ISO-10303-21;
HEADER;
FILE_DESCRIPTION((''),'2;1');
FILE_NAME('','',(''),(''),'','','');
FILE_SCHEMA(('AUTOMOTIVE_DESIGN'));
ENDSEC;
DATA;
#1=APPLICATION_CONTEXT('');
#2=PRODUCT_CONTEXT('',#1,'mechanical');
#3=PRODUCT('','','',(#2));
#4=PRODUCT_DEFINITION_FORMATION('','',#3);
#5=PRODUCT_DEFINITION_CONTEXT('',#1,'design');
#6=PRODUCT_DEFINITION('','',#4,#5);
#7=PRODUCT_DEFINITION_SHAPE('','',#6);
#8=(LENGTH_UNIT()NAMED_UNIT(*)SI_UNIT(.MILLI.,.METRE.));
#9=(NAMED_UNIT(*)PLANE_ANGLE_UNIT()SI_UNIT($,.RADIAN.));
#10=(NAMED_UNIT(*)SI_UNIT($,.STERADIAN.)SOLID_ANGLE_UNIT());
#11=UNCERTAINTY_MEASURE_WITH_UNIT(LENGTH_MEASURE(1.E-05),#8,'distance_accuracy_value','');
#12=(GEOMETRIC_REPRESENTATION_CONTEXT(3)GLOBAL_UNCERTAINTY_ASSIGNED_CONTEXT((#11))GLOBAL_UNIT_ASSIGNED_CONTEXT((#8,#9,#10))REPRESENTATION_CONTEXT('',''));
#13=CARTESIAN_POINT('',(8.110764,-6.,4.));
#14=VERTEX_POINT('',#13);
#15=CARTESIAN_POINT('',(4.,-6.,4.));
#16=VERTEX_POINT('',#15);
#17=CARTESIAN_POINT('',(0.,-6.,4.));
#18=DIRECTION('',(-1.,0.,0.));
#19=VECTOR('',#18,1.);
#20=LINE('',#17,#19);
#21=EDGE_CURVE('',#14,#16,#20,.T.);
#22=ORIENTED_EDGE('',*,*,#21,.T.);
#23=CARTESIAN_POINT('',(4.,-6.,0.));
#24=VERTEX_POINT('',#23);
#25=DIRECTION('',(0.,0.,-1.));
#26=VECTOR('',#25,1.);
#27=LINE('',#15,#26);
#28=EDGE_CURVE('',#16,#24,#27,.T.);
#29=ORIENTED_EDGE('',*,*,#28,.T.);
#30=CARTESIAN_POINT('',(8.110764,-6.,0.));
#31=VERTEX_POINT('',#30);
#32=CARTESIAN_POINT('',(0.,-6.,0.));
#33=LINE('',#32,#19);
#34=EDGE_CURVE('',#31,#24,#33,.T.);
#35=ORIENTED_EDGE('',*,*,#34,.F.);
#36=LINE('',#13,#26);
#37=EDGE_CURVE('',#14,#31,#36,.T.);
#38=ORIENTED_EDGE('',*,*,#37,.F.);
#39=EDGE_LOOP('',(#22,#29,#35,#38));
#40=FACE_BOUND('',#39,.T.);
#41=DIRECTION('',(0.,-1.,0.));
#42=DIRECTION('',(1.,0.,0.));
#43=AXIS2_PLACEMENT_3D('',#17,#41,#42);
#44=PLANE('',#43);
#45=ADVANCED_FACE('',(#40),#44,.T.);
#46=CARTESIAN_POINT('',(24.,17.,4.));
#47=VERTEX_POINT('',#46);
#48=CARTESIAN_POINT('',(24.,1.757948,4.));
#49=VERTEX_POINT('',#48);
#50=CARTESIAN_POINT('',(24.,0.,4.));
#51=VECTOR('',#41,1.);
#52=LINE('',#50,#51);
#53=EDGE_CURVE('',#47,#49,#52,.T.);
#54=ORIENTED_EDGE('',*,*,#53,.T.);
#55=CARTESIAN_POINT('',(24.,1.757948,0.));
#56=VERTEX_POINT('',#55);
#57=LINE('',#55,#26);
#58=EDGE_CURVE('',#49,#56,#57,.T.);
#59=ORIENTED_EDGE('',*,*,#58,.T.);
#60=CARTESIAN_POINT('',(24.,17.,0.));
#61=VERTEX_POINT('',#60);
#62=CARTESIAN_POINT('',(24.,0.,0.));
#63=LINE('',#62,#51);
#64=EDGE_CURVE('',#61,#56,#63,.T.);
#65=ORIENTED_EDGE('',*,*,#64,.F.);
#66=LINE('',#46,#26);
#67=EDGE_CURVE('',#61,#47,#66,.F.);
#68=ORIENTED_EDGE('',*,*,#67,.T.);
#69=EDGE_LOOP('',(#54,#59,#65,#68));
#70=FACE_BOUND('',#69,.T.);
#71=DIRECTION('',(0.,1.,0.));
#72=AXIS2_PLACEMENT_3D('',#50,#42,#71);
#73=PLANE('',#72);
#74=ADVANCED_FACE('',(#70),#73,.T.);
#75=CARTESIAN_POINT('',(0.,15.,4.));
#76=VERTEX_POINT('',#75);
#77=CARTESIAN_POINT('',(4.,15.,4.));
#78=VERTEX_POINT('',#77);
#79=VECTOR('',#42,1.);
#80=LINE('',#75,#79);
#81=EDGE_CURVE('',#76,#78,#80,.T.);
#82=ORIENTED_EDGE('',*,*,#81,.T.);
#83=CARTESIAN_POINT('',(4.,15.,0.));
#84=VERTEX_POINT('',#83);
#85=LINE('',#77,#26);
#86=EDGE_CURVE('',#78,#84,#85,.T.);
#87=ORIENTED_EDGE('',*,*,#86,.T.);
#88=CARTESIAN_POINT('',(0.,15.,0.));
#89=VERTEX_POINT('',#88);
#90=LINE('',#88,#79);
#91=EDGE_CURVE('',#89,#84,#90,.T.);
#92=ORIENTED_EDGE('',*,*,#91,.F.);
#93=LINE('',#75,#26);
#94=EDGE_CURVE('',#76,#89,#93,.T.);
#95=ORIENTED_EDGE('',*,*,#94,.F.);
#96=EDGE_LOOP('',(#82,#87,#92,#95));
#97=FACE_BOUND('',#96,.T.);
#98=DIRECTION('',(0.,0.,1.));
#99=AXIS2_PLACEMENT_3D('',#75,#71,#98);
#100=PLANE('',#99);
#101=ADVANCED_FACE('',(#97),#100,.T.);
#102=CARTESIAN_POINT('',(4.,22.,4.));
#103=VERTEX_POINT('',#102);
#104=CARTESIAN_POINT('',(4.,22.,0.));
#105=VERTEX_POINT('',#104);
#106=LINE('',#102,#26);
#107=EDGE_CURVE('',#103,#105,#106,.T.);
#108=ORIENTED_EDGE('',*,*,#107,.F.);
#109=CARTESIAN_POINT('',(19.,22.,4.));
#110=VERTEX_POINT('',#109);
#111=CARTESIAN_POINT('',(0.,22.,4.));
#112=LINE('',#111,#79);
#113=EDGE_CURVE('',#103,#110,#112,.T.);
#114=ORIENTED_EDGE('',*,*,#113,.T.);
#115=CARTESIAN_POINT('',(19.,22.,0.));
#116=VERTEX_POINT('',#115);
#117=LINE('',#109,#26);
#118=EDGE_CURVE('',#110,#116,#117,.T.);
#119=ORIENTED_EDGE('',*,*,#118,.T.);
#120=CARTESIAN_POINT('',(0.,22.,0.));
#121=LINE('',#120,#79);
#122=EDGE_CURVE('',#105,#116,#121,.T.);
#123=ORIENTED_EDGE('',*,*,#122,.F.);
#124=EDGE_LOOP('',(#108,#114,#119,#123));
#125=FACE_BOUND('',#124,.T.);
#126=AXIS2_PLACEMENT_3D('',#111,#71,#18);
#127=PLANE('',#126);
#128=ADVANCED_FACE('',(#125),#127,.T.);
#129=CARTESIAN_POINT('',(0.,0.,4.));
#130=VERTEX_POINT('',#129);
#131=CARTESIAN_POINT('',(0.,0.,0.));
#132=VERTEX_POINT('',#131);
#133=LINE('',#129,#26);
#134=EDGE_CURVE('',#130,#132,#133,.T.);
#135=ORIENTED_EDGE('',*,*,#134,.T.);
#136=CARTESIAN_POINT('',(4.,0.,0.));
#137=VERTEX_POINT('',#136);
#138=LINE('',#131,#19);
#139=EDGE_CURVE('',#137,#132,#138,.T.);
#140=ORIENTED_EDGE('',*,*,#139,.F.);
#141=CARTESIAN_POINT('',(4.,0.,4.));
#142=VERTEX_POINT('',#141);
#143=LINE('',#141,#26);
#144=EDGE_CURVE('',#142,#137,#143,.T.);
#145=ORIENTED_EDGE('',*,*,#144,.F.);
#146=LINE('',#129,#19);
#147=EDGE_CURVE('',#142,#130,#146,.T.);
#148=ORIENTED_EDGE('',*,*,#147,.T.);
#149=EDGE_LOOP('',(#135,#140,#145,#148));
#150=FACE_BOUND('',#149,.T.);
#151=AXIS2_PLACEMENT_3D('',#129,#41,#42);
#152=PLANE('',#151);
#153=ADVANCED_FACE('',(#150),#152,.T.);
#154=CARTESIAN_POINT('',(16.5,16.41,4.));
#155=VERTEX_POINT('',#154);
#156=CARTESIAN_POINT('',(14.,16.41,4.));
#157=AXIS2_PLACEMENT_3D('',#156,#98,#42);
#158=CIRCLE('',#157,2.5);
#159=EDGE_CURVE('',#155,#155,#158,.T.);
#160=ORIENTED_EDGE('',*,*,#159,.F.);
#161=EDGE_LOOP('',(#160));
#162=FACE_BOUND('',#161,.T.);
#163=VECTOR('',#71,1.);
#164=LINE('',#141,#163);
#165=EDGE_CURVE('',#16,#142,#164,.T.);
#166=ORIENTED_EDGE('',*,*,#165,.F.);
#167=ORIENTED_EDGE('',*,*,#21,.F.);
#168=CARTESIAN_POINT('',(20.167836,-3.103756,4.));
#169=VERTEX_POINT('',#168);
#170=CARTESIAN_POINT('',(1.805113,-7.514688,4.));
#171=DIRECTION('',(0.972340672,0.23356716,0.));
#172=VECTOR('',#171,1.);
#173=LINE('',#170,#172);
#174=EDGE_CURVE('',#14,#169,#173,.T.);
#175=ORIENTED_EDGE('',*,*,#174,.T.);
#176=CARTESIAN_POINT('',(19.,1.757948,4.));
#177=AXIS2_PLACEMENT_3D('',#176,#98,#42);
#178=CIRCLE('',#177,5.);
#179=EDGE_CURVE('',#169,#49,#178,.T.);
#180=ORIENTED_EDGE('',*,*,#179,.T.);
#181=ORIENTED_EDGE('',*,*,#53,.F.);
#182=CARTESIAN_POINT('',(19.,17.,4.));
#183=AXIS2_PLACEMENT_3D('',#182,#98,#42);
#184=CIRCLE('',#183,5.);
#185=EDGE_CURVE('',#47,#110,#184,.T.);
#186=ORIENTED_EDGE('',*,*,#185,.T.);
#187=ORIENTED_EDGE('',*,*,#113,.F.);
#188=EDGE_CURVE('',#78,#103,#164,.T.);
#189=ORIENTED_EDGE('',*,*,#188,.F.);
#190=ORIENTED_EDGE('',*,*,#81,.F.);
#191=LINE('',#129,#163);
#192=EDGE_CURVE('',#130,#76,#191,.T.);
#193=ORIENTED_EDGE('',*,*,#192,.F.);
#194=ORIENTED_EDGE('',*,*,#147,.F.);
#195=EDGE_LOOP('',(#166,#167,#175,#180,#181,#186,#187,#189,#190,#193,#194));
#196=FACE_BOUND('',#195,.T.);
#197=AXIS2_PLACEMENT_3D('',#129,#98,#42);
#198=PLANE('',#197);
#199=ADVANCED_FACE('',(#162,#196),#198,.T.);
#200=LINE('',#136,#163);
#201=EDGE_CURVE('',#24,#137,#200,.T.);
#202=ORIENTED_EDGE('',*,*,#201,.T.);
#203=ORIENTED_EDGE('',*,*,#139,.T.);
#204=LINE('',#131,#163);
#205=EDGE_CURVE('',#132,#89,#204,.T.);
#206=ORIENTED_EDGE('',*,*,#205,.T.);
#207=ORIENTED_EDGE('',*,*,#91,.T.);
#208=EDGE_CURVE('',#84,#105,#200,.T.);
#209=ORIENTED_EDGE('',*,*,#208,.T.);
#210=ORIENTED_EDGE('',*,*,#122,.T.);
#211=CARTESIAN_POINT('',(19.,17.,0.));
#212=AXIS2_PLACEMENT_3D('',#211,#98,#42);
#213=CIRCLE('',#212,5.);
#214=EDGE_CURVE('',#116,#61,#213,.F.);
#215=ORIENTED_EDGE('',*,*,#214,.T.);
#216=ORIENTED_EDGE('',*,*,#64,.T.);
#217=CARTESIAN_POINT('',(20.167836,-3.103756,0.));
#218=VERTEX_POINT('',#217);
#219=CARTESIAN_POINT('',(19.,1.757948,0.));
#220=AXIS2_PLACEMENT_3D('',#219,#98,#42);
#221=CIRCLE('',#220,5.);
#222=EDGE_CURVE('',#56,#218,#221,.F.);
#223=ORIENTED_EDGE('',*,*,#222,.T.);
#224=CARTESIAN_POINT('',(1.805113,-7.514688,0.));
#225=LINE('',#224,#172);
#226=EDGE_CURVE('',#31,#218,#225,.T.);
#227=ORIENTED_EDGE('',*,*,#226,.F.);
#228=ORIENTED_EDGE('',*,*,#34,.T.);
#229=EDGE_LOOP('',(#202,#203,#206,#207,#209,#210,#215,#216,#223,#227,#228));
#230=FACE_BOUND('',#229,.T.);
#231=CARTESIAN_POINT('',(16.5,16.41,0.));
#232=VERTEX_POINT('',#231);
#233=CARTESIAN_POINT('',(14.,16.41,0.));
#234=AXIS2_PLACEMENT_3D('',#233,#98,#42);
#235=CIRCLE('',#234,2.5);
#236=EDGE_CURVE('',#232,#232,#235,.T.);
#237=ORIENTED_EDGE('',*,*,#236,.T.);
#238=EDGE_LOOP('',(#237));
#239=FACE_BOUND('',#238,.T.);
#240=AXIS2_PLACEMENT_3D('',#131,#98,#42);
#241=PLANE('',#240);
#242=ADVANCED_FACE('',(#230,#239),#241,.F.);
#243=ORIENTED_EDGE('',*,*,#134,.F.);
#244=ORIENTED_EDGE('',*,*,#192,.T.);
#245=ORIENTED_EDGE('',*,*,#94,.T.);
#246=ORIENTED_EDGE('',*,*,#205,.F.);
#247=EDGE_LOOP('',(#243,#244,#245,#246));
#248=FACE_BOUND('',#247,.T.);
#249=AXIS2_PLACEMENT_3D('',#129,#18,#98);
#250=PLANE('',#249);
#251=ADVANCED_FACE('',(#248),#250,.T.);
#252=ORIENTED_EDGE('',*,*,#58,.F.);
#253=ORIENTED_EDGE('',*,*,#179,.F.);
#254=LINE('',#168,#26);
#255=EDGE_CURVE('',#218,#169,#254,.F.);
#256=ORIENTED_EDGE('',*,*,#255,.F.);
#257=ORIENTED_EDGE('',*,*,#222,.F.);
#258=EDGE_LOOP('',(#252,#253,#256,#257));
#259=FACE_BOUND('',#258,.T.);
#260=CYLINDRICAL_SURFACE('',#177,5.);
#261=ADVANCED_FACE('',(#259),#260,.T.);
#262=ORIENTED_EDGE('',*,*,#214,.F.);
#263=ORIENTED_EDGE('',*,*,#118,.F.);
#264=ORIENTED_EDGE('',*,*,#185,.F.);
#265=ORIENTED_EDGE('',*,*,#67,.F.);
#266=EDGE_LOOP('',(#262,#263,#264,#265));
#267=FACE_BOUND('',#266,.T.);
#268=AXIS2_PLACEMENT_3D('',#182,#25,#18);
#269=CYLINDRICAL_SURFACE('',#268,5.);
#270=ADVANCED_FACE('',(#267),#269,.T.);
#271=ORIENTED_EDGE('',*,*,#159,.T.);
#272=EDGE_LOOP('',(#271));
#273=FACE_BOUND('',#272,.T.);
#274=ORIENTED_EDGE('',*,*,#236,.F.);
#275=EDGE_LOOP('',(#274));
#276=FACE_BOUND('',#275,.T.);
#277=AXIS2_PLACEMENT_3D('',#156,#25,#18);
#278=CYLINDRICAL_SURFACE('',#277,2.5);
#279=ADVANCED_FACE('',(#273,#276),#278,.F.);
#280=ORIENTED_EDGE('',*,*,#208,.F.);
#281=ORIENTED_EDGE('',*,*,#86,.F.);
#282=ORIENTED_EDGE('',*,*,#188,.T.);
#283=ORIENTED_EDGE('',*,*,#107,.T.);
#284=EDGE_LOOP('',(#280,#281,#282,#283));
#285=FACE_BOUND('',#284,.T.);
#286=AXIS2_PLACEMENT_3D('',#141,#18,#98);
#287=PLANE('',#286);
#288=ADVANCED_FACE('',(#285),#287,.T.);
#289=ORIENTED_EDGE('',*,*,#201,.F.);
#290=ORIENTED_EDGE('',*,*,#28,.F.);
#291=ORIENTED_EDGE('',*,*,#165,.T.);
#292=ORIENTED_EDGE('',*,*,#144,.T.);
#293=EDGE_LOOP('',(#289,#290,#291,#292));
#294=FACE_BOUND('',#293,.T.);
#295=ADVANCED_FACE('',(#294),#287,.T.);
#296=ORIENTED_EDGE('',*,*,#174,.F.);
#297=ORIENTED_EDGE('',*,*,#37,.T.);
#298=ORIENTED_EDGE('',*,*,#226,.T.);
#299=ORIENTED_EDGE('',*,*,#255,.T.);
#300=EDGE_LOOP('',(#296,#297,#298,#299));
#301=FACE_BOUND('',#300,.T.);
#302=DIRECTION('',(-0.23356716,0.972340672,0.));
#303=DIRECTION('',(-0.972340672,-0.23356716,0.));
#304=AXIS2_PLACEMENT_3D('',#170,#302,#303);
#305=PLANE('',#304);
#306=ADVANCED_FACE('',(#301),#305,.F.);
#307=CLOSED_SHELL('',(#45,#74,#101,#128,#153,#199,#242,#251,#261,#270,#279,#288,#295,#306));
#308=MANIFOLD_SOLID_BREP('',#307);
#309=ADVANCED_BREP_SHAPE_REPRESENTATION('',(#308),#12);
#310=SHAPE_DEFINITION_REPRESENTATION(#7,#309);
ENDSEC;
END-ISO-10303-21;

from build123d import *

# Parameters (mm, degrees)
SKETCH_1_R      = 2.5
EXTRUDE_1_DEPTH = 4
FILLET_1_R      = 5


with BuildPart() as part:
    # ｽｹｯﾁ1 → ﾎﾞｽ - 押し出し1 (new body)
    with BuildSketch(Plane.XY):
        Polygon((0, 15), (0, 0), (4, 0), (4, -6), (8.110763801, -6), (24, -2.18322685), (24, 22), (4, 22), (4, 15), align=None)
        with Locations((14, 16.41)):
            Circle(SKETCH_1_R, mode=Mode.SUBTRACT)
    extrude(amount=EXTRUDE_1_DEPTH)

    # ﾌｨﾚｯﾄ1
    fillet_1_edges = [part.edges().sort_by_distance(p)[0] for p in [
        (24, 22, 2),
        (24, -2.18322685, 2),
    ]]
    fillet(fillet_1_edges, radius=FILLET_1_R)


solid = part.part
